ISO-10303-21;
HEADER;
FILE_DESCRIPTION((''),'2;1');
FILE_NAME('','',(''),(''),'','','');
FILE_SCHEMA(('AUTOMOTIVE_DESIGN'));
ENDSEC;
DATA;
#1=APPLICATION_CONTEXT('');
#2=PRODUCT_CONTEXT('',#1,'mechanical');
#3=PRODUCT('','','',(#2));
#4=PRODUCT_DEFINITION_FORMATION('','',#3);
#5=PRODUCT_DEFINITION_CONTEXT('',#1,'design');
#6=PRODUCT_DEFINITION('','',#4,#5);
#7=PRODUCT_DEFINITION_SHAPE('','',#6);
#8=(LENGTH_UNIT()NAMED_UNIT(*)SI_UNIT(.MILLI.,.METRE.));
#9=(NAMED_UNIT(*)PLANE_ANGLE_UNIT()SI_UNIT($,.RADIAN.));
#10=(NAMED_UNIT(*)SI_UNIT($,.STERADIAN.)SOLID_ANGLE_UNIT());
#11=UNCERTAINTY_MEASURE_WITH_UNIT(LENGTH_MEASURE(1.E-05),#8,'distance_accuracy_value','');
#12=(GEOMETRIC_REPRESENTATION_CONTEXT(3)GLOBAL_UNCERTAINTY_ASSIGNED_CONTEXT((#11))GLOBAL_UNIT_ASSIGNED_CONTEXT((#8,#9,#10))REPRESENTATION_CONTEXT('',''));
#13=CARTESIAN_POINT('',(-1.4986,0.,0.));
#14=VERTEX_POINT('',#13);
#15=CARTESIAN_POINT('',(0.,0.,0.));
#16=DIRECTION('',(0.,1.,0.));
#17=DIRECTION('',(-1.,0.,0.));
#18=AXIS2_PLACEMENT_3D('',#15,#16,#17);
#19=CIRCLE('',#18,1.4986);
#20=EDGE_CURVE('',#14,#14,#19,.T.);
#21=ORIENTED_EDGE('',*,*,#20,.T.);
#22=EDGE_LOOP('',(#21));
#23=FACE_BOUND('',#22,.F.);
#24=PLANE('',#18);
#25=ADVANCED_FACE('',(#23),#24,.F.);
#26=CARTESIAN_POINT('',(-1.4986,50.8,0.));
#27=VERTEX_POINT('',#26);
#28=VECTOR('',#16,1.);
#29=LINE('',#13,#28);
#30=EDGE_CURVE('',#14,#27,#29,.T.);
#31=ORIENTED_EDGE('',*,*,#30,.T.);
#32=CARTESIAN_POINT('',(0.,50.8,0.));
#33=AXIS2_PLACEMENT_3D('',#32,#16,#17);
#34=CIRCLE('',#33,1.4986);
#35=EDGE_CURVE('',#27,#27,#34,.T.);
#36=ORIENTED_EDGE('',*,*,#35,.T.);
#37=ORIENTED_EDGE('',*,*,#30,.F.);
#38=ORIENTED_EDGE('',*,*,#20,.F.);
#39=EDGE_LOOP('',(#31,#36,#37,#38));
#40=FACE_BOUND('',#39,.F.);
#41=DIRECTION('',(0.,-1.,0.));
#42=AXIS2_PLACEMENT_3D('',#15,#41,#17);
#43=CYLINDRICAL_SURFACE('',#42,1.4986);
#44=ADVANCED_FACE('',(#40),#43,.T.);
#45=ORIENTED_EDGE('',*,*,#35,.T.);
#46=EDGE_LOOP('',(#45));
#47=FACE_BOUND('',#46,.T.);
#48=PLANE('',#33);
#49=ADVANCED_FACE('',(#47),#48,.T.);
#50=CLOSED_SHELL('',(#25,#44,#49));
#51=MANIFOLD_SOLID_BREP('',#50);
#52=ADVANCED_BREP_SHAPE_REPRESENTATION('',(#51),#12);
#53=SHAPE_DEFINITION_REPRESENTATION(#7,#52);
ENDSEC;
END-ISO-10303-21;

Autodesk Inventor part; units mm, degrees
ref_plane "YZ Plane" through (0, 0, 0) normal (1, 0, 0) x (0, 1, 0)
ref_plane "XZ Plane" through (0, 0, 0) normal (0, 1, 0) x (-1, 0, 0)
ref_plane "XY Plane" through (0, 0, 0) normal (0, 0, 1) x (1, 0, 0)
sketch "Sketch1" plane through (0, 0, 0) normal (0, 1, 0) x (-1, 0, 0)
  circle A0 centre (0, 0) radius 1.4986
  dimension "d1" = 50.8
extrude "Extrusion1" add sketch "Sketch1" along normal blind 50.8
properties part number "Axel"
